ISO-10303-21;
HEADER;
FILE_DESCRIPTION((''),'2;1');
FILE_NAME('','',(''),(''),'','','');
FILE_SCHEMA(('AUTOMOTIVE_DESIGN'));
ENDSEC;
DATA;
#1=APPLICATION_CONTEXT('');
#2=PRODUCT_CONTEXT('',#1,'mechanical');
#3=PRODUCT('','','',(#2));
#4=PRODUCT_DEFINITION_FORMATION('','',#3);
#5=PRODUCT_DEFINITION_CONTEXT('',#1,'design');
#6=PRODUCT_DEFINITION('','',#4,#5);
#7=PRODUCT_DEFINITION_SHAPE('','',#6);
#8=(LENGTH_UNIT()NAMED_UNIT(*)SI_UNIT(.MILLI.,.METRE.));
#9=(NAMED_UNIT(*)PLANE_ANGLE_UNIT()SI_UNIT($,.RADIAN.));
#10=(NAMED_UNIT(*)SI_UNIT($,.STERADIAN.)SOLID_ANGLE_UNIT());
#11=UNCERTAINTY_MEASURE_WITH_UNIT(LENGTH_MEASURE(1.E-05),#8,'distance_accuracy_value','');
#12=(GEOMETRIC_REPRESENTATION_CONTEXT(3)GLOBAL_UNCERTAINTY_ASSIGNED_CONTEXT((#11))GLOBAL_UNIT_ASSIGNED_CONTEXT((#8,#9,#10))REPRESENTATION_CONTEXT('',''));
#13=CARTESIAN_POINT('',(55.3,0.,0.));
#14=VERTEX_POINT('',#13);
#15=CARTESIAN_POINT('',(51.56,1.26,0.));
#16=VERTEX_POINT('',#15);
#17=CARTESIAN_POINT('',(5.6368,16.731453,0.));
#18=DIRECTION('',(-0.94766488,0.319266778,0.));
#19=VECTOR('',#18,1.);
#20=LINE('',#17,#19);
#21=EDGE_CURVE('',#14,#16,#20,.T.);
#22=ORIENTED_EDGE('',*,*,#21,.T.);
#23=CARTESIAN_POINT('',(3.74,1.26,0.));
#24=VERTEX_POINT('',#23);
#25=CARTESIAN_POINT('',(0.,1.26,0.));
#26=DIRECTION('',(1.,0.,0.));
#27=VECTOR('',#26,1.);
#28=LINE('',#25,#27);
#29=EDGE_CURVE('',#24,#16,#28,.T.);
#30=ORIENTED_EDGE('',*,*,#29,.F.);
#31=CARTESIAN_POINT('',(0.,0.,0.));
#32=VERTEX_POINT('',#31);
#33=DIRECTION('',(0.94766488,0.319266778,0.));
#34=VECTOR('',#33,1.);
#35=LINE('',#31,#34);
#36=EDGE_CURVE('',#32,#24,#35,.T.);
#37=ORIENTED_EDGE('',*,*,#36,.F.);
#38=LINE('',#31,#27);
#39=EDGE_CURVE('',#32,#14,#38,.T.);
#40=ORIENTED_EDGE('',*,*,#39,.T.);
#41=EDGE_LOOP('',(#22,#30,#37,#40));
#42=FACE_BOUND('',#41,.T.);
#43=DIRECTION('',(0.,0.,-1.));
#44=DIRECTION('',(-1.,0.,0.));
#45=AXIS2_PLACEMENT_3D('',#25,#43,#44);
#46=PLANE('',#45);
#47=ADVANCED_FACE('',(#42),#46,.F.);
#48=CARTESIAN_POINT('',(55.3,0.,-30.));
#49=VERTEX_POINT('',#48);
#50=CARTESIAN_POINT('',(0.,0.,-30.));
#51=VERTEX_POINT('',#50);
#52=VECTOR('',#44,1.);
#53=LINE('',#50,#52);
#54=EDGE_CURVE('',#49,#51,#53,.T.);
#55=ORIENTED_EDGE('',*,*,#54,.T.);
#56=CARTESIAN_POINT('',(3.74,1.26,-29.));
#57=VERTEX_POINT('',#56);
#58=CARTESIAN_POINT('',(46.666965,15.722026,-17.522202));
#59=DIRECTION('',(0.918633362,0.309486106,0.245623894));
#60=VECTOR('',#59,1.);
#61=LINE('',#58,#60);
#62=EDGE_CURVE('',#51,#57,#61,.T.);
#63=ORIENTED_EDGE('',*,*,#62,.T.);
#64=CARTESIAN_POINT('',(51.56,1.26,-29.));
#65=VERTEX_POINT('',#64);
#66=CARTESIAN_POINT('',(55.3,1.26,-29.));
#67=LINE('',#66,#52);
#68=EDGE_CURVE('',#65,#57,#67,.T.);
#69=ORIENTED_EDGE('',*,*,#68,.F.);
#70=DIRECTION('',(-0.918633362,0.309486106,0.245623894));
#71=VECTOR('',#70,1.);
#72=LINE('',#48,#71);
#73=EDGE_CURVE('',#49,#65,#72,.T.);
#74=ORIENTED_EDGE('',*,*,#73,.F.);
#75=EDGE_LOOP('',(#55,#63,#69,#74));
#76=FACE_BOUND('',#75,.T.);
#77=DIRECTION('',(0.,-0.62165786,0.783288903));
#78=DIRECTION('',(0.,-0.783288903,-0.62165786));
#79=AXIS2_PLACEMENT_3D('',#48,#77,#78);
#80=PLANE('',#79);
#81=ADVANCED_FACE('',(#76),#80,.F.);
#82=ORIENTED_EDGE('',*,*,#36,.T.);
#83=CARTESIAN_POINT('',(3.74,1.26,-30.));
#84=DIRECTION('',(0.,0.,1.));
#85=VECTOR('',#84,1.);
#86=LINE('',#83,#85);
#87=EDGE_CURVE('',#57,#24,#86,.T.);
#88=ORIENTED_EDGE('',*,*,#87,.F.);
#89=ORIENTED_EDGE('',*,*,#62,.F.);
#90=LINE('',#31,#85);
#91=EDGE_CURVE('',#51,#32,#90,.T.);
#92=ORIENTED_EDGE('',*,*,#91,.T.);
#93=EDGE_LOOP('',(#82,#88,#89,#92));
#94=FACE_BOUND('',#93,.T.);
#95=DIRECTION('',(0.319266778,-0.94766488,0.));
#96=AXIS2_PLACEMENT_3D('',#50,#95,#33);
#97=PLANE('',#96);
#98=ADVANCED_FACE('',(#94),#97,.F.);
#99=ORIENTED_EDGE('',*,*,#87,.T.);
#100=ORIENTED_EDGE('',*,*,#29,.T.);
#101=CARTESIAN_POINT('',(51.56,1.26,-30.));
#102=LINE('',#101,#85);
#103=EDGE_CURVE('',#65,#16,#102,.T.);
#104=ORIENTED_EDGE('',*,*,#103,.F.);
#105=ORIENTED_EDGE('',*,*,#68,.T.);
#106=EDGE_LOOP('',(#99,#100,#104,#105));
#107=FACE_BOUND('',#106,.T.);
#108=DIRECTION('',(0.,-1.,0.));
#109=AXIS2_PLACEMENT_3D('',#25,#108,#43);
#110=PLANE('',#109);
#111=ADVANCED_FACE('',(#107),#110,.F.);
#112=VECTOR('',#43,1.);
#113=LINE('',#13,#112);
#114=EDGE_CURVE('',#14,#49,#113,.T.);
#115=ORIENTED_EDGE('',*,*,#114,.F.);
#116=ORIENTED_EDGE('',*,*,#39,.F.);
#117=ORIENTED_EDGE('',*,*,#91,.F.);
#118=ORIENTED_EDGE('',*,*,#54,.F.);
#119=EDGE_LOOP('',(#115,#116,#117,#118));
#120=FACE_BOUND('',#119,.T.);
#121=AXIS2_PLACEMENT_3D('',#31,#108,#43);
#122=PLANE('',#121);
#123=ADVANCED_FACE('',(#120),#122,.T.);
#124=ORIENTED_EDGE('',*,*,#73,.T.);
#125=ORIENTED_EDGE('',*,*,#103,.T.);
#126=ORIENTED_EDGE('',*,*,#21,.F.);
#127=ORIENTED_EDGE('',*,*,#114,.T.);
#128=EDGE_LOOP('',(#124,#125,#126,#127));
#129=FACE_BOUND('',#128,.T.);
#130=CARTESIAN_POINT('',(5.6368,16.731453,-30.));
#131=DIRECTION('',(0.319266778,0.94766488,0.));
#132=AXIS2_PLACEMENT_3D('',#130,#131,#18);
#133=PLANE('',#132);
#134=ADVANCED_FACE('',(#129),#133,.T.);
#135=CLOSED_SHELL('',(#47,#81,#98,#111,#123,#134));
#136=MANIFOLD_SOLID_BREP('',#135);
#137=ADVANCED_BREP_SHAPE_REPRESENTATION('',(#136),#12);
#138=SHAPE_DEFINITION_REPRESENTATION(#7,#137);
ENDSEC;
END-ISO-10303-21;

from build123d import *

# Parameters (mm, degrees)
ESBO_O1_W                = 55.3
ESBO_O1_H                = 30
RESSALTO_EXTRUS_O1_DEPTH = 1.26
CORTE_EXTRUS_O1_DEPTH    = 63.925969202
CORTE_EXTRUS_O2_DEPTH    = 63.925969202


with BuildPart() as part:
    # Esboço1 → Ressalto-extrusão1 (new body)
    with BuildSketch(Plane(origin=(0, 0, 0), x_dir=(1, 0, 0), z_dir=(0, 1, 0))):
        with Locations((27.65, 15)):
            Rectangle(ESBO_O1_W, ESBO_O1_H)
    extrude(amount=RESSALTO_EXTRUS_O1_DEPTH)

    # Esboço2 → Corte-extrusão1 (cut, through all)
    with BuildSketch(Plane.ZY):
        Polygon((-30, 0), (-29, 1.26), (-30, 1.26), align=None)
    extrude(amount=-CORTE_EXTRUS_O1_DEPTH, mode=Mode.SUBTRACT)

    # Esboço3 → Corte-extrusão2 (cut, through all)
    with BuildSketch(Plane.XY):
        Polygon((0, 1.26), (0, 0), (3.74, 1.26), align=None)
        Polygon((55.3, 1.26), (51.56, 1.26), (55.3, 0), align=None)
    extrude(amount=-CORTE_EXTRUS_O2_DEPTH, mode=Mode.SUBTRACT)


solid = part.part
